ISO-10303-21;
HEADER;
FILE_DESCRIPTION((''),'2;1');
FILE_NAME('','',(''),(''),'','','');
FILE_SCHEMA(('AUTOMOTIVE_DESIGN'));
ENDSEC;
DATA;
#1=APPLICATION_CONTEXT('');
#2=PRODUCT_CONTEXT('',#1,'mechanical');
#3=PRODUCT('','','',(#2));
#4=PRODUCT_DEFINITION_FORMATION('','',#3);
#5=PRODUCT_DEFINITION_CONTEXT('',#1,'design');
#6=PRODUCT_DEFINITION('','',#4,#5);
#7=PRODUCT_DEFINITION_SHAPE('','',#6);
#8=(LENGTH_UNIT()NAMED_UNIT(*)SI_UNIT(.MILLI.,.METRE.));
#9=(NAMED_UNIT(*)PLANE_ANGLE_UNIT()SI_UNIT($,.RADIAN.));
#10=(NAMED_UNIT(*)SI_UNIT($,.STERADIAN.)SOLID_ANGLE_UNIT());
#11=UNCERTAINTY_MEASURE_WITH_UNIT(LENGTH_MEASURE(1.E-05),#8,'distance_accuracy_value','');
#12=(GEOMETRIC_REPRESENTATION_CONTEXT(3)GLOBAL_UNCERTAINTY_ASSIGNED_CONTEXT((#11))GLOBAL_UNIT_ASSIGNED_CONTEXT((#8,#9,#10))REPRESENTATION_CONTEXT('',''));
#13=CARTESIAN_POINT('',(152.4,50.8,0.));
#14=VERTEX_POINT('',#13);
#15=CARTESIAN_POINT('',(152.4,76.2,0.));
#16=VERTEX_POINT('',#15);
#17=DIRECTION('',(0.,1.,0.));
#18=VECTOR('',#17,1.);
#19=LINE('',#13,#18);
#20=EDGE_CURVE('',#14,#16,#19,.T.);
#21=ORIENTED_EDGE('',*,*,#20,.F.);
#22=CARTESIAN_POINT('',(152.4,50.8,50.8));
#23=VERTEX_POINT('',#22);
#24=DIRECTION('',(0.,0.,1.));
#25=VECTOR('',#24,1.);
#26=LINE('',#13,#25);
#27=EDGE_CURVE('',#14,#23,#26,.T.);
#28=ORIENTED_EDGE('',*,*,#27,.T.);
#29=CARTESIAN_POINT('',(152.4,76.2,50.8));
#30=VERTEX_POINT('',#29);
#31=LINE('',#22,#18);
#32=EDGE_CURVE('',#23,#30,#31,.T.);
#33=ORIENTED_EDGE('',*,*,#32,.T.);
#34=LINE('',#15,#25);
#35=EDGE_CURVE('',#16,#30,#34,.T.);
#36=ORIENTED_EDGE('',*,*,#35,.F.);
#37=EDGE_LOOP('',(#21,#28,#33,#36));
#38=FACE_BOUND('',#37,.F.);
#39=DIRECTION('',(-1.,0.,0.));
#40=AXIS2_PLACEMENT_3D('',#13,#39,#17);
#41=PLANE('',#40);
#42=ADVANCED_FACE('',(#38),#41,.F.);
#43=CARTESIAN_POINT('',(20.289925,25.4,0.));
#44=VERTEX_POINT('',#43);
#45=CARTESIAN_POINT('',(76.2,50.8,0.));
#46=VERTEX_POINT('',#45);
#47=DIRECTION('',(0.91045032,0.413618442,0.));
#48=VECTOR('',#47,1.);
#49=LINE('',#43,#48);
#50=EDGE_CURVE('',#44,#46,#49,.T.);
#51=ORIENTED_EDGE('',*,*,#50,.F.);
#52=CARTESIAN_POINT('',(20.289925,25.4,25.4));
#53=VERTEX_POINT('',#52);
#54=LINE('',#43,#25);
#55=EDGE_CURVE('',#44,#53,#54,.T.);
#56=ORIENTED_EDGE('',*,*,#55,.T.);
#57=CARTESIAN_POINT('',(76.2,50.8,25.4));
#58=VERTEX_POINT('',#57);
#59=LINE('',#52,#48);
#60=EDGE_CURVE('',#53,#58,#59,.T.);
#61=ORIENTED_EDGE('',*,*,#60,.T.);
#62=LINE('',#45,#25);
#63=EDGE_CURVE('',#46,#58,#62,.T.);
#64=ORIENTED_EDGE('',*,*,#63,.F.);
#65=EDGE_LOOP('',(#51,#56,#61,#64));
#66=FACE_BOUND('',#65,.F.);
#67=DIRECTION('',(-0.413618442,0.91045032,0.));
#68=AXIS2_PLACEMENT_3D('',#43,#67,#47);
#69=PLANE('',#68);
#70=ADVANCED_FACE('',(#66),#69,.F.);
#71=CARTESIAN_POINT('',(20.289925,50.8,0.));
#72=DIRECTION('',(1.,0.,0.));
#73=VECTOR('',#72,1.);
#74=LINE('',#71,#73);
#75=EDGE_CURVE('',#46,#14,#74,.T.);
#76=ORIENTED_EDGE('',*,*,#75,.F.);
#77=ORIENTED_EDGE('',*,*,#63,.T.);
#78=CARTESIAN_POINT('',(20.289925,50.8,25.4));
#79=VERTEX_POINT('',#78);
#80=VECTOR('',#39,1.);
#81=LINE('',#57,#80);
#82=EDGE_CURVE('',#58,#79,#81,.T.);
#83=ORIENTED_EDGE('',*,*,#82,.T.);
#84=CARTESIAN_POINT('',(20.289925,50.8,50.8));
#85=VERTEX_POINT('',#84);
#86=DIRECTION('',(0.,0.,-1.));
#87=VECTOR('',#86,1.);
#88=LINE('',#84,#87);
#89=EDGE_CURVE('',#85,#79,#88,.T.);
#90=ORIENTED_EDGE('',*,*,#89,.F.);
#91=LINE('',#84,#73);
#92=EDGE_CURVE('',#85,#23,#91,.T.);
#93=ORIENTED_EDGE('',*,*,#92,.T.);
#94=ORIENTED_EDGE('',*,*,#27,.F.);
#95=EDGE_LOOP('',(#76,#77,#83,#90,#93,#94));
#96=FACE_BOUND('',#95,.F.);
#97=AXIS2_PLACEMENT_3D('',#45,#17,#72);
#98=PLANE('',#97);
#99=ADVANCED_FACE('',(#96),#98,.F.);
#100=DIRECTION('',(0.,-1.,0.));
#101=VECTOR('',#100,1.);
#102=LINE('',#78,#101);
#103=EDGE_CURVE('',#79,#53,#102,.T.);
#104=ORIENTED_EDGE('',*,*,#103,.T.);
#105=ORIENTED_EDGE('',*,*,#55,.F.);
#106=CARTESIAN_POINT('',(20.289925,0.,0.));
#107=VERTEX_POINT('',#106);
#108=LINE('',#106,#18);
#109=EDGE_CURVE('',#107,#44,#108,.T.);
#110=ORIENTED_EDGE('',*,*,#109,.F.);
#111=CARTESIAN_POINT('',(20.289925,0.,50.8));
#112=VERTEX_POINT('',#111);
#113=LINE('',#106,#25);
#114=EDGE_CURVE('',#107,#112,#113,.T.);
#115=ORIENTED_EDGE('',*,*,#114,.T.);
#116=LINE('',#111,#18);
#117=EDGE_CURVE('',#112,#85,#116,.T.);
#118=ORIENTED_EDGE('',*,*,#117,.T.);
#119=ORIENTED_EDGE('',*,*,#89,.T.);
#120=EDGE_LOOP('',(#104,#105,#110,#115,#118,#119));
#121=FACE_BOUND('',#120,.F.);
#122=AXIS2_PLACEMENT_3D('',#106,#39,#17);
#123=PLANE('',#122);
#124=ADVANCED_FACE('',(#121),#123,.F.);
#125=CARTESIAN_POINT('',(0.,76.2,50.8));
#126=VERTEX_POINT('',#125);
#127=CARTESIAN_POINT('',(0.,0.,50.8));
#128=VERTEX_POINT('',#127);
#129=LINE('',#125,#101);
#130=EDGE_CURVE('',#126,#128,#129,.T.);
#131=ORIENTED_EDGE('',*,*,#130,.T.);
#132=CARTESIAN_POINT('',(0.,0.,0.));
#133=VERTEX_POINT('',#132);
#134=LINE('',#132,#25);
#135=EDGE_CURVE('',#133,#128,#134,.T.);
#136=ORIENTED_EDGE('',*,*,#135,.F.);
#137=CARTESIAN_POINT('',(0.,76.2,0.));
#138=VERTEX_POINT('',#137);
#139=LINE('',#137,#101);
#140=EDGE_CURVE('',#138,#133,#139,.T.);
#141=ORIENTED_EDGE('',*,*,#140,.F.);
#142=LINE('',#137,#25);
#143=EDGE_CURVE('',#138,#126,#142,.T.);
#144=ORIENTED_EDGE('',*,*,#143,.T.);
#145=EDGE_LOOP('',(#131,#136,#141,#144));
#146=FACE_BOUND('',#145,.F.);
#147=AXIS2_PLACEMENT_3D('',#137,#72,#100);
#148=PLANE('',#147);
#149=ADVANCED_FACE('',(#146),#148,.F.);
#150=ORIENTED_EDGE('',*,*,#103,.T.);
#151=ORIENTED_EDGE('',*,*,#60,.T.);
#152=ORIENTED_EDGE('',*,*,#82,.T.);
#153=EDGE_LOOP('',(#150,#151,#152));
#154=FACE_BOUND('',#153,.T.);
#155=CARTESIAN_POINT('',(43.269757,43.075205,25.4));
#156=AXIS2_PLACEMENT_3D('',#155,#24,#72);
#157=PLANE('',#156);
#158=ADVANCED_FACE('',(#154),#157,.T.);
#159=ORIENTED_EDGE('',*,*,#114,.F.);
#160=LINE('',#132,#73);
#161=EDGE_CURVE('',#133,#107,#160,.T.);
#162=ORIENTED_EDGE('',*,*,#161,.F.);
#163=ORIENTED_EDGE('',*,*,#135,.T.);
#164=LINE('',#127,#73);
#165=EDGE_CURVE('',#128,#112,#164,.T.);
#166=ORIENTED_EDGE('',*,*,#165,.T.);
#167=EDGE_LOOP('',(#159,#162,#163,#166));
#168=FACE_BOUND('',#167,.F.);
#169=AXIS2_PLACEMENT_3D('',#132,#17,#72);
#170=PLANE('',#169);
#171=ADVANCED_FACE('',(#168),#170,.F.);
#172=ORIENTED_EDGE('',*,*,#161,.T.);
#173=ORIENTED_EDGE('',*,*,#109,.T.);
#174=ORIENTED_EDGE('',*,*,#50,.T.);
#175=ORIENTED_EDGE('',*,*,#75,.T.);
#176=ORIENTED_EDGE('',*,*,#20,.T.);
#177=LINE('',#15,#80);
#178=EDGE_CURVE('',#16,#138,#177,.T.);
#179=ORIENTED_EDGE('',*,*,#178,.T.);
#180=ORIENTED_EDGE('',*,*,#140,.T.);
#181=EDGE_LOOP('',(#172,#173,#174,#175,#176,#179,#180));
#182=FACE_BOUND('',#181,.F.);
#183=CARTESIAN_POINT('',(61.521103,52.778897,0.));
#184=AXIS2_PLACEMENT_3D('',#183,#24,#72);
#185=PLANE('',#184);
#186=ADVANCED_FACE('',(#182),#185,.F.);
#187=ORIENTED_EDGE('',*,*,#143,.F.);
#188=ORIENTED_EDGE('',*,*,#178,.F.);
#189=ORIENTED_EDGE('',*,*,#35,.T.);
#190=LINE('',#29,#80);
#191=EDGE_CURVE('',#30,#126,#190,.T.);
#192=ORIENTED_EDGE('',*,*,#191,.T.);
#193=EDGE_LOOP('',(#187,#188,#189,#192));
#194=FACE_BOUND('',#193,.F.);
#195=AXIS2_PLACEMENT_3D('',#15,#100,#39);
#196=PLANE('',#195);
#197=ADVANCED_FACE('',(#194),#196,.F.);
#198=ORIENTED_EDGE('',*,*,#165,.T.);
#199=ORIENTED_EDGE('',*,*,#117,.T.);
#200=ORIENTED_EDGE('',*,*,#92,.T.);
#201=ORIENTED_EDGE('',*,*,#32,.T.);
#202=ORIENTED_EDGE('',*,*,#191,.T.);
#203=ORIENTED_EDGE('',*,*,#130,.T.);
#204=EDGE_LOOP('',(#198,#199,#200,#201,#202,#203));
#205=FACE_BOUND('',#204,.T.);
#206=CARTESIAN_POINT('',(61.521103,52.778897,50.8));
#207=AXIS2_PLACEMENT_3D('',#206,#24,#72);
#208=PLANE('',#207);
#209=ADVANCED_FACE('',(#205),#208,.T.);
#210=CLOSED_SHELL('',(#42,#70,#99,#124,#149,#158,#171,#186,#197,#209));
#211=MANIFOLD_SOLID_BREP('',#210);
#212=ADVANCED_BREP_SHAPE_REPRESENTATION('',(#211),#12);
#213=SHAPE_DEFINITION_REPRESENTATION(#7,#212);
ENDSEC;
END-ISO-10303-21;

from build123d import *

# Parameters (mm, degrees)
F1_DEPTH = 50.8
F3_DEPTH = 25.4


with BuildPart() as f1:
    # F0 (on Top) → F1 (new body)
    with BuildSketch(Plane.XY):
        Polygon((0, 76.2), (0, 0), (20.289925, 0), (20.289925, 25.4), (20.289925, 50.8), (76.2, 50.8), (152.4, 50.8), (152.4, 76.2), align=None)
        Polygon((20.289925, 50.8), (20.289925, 25.4), (76.2, 50.8), align=None)
    extrude(amount=F1_DEPTH)

    # F2 (on face) → F3 (cut)
    with BuildSketch(Plane.XY.offset(50.8)):
        Polygon((20.289925, 50.8), (20.289925, 25.4), (76.2, 50.8), align=None)
    extrude(amount=-F3_DEPTH, mode=Mode.SUBTRACT)


solid = f1.part
